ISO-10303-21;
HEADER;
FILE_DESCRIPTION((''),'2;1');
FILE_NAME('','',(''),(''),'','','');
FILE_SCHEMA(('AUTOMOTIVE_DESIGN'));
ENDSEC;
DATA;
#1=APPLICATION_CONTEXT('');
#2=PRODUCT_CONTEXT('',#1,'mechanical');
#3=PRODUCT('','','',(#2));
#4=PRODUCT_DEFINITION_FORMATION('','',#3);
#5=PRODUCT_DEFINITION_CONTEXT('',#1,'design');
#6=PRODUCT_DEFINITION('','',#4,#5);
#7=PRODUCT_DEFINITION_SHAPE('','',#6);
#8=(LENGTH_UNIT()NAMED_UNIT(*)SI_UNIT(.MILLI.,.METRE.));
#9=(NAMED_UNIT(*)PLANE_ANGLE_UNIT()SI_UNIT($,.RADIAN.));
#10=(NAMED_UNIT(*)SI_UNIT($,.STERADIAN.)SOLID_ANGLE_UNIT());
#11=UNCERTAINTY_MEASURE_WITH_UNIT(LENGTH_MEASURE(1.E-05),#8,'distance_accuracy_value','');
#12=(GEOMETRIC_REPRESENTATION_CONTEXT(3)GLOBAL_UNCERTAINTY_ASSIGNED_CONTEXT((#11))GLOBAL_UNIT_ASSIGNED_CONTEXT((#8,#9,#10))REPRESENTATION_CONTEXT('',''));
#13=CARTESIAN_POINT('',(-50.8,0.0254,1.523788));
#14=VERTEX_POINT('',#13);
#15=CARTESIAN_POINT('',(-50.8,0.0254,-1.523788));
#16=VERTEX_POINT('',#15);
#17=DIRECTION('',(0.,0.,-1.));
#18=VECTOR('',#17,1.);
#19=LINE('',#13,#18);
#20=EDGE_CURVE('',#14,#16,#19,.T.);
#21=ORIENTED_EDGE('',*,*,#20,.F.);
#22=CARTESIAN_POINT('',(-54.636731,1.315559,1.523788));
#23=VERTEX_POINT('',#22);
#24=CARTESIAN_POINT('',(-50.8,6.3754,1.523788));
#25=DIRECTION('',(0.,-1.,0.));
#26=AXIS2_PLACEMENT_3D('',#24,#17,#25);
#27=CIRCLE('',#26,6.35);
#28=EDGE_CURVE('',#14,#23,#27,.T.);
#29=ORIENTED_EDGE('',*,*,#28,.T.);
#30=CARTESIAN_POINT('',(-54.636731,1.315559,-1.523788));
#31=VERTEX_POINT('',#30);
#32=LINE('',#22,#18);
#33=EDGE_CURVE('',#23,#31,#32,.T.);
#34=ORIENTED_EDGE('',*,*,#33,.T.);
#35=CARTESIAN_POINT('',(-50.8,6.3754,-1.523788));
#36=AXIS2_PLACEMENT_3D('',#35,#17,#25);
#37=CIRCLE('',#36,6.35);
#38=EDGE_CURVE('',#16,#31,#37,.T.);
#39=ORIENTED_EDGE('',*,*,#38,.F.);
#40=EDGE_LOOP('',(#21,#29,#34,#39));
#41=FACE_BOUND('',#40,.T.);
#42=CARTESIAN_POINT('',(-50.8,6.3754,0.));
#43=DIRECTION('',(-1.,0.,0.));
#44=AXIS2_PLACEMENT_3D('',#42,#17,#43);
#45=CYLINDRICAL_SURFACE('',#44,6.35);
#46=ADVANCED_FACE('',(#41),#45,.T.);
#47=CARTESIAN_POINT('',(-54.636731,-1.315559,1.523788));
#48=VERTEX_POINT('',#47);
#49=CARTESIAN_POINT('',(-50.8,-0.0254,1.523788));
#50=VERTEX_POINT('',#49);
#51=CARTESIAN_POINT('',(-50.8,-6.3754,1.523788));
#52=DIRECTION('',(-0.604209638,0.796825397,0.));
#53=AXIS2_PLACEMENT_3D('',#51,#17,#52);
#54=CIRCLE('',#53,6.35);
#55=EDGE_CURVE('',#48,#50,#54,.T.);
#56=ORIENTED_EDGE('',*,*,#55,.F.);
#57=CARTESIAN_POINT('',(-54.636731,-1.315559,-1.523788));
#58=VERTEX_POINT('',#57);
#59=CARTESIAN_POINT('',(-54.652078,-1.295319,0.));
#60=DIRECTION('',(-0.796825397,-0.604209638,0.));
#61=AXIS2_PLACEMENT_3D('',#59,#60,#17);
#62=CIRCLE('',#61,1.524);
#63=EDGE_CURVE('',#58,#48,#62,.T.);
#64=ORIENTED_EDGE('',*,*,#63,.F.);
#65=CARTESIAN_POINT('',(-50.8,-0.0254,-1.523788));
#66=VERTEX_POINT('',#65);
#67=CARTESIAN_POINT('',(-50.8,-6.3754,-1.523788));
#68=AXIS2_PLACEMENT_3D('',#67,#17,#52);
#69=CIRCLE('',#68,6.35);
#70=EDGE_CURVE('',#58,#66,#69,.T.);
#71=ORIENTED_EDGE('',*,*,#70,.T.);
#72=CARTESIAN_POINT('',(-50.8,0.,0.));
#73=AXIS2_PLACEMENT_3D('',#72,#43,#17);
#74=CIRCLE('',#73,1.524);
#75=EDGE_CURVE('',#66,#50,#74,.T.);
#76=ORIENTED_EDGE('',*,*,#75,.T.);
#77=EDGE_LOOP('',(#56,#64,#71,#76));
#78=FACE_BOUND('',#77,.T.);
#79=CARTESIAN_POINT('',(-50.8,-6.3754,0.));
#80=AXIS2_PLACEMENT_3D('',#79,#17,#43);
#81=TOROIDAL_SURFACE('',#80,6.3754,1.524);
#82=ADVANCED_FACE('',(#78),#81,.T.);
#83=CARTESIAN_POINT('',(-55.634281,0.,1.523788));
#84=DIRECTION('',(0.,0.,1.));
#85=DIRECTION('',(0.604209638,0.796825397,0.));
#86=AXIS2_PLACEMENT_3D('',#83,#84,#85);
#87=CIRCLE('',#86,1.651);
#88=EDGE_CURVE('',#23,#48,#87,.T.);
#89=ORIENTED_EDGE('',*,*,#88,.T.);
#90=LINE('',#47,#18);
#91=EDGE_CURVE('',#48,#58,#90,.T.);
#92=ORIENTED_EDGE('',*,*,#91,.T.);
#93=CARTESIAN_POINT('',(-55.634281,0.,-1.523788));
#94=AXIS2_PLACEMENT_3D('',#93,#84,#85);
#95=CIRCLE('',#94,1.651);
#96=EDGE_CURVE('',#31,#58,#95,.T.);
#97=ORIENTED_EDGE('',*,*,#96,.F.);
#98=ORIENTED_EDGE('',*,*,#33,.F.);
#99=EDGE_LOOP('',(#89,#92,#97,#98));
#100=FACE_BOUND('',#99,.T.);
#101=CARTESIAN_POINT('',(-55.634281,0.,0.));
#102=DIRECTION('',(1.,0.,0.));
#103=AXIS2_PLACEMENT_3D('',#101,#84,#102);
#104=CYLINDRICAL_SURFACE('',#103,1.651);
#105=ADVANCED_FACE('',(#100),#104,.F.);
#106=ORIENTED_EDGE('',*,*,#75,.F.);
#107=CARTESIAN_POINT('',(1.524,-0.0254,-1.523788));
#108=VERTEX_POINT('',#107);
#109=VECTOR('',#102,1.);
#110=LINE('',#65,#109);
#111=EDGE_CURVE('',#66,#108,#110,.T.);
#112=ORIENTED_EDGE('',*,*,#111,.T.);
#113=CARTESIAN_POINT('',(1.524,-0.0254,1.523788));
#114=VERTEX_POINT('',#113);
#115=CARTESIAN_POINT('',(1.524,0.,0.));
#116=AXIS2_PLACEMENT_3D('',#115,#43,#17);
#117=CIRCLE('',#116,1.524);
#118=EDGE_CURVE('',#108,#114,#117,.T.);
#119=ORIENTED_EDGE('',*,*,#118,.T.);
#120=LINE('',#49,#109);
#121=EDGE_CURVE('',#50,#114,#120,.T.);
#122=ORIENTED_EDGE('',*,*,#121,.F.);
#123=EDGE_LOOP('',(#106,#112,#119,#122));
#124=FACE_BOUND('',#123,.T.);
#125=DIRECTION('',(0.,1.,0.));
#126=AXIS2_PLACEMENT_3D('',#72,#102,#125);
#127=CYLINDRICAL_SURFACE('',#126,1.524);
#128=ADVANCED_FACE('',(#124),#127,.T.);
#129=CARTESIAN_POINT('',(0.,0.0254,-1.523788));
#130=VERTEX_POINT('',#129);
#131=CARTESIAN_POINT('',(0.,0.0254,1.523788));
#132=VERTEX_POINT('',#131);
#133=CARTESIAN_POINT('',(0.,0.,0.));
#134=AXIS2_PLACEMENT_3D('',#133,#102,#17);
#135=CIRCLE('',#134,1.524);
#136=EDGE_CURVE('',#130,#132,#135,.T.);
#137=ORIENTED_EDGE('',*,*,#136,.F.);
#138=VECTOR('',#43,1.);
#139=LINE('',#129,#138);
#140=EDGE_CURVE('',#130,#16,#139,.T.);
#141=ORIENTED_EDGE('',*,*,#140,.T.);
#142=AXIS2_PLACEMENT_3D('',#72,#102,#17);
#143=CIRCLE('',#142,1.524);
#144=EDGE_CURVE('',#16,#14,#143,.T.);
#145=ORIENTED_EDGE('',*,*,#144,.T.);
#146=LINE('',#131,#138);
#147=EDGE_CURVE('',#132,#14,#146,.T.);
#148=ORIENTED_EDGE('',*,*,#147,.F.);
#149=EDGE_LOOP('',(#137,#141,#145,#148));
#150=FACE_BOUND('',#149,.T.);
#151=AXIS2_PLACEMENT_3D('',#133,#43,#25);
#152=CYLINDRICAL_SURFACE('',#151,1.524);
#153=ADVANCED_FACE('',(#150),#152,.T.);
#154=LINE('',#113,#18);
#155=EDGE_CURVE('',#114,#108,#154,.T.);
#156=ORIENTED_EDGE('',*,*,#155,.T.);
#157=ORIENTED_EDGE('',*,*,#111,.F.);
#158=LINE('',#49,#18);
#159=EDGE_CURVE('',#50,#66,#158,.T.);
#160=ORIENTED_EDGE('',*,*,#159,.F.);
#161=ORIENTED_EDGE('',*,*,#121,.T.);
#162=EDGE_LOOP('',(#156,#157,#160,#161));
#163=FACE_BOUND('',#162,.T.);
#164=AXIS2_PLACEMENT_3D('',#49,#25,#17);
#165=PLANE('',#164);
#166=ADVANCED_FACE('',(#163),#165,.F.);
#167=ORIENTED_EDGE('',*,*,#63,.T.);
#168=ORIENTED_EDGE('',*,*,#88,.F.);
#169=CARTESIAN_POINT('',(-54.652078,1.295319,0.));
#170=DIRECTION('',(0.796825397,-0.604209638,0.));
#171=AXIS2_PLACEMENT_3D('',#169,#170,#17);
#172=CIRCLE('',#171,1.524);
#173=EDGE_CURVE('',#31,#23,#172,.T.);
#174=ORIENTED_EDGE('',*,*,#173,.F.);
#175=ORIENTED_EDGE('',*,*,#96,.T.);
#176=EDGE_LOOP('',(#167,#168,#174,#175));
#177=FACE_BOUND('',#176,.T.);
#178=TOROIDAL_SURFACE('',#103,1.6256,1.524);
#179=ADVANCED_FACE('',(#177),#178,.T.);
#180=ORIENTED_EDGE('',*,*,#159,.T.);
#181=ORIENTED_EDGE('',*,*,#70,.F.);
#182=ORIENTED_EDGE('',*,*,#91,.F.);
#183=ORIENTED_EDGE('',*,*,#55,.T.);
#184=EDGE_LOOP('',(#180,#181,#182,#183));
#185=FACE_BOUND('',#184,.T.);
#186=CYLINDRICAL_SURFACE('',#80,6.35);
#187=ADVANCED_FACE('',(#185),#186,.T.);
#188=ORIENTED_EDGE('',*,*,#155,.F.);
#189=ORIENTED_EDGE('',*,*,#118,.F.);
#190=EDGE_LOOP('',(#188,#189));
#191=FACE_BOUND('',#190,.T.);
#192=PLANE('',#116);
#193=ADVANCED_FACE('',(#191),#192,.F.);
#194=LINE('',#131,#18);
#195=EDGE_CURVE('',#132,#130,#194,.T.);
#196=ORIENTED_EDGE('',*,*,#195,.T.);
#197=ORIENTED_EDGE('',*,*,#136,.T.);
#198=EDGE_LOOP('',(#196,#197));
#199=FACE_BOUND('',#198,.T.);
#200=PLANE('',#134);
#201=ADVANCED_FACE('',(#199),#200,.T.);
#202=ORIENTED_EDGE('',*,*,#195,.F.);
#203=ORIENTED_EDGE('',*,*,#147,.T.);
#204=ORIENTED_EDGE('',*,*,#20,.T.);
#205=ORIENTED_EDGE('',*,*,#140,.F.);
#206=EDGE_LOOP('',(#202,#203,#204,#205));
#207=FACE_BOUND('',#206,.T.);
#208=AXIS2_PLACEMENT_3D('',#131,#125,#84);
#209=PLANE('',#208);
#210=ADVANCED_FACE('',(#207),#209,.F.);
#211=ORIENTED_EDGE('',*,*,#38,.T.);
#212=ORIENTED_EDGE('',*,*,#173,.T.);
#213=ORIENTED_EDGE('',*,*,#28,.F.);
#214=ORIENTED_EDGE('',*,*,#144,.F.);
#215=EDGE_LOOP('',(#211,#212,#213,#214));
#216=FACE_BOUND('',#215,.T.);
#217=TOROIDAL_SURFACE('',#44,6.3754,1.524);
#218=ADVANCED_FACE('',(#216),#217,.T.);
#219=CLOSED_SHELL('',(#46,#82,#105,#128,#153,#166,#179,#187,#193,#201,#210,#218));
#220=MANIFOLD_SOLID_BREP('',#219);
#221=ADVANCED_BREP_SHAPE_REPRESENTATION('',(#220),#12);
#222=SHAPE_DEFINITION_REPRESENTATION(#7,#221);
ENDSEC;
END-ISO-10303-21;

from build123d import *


with BuildPart() as part:
    # Sweep1: sweep along a path in Sketch3
    with BuildLine(Plane.XY) as sweep1_path:
        Line((0, 0.0254), (-50.8, 0.0254))
        ThreePointArc((-50.8, 0.0254), (-52.823920445, 0.356575694), (-54.636731203, 1.31555873))
        ThreePointArc((-54.636731203, 1.31555873), (-57.285281316, 0), (-54.636731203, -1.31555873))
        ThreePointArc((-54.636731203, -1.31555873), (-52.823920445, -0.356575694), (-50.8, -0.0254))
        Line((-50.8, -0.0254), (1.524, -0.0254))
    # Sketch4 → Sweep1 (sweep)
    with BuildSketch(Plane(origin=(0, 0, 0), x_dir=(0, 0, -1), z_dir=(1, 0, 0))):
        with BuildLine():
            Line((-1.523788319, 0.0254), (1.523788319, 0.0254))
            ThreePointArc((1.523788319, 0.0254), (0, 1.524), (-1.523788319, 0.0254))
        make_face()
    sweep(path=sweep1_path.line)


solid = part.part
